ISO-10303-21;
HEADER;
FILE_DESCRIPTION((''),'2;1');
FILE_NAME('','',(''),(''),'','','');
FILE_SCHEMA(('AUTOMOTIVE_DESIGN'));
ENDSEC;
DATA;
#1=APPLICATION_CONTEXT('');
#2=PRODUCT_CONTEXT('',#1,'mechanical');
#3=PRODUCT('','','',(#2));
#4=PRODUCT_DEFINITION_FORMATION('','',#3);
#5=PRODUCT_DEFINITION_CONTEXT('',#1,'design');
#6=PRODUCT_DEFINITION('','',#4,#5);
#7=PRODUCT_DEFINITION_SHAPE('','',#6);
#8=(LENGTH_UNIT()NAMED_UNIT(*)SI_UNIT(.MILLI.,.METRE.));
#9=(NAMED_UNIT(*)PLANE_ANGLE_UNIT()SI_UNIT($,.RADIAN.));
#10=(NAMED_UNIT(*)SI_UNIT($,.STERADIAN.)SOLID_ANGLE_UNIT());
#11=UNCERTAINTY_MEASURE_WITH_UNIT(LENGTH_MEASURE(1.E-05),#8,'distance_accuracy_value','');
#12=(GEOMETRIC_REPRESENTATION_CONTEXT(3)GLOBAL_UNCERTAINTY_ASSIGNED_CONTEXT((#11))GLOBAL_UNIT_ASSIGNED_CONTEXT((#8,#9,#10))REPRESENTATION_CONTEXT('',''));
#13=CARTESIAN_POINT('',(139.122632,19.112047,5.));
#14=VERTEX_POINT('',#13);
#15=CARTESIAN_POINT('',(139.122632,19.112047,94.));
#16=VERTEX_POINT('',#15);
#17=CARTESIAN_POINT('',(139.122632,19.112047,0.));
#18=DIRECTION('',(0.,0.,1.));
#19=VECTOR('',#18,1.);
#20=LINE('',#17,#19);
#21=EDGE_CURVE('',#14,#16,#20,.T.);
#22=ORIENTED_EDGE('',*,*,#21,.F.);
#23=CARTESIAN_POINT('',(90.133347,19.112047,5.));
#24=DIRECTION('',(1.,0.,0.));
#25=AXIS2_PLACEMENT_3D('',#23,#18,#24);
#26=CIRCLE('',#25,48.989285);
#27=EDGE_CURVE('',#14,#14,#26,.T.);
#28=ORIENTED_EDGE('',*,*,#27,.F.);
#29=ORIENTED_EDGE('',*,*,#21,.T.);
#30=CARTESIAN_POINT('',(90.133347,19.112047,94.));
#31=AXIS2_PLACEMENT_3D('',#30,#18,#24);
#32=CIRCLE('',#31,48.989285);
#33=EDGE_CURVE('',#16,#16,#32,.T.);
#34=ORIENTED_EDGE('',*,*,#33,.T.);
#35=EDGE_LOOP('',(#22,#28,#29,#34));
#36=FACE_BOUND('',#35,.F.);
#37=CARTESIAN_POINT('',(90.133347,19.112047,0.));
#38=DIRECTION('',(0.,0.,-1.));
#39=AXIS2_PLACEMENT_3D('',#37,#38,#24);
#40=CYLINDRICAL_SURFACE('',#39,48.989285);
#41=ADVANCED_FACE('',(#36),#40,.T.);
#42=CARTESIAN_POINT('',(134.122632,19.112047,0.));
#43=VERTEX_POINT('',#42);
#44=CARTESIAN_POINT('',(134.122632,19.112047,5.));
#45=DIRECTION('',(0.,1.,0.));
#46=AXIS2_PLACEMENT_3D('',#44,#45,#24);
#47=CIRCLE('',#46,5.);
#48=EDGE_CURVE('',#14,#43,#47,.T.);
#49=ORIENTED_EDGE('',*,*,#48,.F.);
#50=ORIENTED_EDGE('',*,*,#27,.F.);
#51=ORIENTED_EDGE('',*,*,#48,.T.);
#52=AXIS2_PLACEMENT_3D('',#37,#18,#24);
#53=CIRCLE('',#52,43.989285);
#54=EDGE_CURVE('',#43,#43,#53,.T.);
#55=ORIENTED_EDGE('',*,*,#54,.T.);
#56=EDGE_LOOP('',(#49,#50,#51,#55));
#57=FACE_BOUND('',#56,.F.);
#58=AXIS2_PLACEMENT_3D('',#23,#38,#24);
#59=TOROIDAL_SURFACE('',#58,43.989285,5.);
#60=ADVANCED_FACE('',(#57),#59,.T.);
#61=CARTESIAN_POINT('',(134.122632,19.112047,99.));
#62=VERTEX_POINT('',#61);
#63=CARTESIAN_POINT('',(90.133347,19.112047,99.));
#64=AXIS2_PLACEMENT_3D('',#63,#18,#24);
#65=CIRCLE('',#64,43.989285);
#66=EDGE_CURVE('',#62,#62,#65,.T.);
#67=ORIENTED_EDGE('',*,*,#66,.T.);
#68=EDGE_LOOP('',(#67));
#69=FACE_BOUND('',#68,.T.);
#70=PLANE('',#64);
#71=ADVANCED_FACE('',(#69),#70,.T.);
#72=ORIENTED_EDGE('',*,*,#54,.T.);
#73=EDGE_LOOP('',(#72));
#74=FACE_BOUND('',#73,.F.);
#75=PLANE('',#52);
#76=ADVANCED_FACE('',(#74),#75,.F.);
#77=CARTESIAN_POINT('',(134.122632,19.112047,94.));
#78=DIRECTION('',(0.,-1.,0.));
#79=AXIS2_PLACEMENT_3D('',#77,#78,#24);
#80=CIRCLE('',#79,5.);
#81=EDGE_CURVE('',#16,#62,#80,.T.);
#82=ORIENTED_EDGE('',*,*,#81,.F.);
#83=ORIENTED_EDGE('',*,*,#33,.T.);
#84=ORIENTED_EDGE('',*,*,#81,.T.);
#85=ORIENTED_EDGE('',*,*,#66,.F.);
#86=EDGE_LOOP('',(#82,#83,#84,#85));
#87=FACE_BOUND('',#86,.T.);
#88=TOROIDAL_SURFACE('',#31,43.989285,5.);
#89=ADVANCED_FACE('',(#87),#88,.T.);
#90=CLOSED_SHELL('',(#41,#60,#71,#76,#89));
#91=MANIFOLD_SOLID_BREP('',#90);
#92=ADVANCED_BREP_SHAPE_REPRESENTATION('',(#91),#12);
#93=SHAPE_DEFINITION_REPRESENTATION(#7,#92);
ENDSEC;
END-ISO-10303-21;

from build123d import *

# Parameters (mm, degrees)
F0_R     = 48.989285
F1_DEPTH = 99
F2_R     = 5
F3_R     = 5


with BuildPart() as f1:
    # F0 (on Top) → F1 (new body)
    with BuildSketch(Plane.XY):
        with Locations((90.133347, 19.112047)):
            Circle(F0_R)
    extrude(amount=F1_DEPTH)

    # F2
    f2_edges = [f1.edges().sort_by_distance(p)[0] for p in [
        (41.144062, 19.112047, 0),
    ]]
    fillet(f2_edges, radius=F2_R)

    # F3
    f3_edges = [f1.edges().sort_by_distance(p)[0] for p in [
        (41.144062, 19.112047, 99),
    ]]
    fillet(f3_edges, radius=F3_R)


solid = f1.part
